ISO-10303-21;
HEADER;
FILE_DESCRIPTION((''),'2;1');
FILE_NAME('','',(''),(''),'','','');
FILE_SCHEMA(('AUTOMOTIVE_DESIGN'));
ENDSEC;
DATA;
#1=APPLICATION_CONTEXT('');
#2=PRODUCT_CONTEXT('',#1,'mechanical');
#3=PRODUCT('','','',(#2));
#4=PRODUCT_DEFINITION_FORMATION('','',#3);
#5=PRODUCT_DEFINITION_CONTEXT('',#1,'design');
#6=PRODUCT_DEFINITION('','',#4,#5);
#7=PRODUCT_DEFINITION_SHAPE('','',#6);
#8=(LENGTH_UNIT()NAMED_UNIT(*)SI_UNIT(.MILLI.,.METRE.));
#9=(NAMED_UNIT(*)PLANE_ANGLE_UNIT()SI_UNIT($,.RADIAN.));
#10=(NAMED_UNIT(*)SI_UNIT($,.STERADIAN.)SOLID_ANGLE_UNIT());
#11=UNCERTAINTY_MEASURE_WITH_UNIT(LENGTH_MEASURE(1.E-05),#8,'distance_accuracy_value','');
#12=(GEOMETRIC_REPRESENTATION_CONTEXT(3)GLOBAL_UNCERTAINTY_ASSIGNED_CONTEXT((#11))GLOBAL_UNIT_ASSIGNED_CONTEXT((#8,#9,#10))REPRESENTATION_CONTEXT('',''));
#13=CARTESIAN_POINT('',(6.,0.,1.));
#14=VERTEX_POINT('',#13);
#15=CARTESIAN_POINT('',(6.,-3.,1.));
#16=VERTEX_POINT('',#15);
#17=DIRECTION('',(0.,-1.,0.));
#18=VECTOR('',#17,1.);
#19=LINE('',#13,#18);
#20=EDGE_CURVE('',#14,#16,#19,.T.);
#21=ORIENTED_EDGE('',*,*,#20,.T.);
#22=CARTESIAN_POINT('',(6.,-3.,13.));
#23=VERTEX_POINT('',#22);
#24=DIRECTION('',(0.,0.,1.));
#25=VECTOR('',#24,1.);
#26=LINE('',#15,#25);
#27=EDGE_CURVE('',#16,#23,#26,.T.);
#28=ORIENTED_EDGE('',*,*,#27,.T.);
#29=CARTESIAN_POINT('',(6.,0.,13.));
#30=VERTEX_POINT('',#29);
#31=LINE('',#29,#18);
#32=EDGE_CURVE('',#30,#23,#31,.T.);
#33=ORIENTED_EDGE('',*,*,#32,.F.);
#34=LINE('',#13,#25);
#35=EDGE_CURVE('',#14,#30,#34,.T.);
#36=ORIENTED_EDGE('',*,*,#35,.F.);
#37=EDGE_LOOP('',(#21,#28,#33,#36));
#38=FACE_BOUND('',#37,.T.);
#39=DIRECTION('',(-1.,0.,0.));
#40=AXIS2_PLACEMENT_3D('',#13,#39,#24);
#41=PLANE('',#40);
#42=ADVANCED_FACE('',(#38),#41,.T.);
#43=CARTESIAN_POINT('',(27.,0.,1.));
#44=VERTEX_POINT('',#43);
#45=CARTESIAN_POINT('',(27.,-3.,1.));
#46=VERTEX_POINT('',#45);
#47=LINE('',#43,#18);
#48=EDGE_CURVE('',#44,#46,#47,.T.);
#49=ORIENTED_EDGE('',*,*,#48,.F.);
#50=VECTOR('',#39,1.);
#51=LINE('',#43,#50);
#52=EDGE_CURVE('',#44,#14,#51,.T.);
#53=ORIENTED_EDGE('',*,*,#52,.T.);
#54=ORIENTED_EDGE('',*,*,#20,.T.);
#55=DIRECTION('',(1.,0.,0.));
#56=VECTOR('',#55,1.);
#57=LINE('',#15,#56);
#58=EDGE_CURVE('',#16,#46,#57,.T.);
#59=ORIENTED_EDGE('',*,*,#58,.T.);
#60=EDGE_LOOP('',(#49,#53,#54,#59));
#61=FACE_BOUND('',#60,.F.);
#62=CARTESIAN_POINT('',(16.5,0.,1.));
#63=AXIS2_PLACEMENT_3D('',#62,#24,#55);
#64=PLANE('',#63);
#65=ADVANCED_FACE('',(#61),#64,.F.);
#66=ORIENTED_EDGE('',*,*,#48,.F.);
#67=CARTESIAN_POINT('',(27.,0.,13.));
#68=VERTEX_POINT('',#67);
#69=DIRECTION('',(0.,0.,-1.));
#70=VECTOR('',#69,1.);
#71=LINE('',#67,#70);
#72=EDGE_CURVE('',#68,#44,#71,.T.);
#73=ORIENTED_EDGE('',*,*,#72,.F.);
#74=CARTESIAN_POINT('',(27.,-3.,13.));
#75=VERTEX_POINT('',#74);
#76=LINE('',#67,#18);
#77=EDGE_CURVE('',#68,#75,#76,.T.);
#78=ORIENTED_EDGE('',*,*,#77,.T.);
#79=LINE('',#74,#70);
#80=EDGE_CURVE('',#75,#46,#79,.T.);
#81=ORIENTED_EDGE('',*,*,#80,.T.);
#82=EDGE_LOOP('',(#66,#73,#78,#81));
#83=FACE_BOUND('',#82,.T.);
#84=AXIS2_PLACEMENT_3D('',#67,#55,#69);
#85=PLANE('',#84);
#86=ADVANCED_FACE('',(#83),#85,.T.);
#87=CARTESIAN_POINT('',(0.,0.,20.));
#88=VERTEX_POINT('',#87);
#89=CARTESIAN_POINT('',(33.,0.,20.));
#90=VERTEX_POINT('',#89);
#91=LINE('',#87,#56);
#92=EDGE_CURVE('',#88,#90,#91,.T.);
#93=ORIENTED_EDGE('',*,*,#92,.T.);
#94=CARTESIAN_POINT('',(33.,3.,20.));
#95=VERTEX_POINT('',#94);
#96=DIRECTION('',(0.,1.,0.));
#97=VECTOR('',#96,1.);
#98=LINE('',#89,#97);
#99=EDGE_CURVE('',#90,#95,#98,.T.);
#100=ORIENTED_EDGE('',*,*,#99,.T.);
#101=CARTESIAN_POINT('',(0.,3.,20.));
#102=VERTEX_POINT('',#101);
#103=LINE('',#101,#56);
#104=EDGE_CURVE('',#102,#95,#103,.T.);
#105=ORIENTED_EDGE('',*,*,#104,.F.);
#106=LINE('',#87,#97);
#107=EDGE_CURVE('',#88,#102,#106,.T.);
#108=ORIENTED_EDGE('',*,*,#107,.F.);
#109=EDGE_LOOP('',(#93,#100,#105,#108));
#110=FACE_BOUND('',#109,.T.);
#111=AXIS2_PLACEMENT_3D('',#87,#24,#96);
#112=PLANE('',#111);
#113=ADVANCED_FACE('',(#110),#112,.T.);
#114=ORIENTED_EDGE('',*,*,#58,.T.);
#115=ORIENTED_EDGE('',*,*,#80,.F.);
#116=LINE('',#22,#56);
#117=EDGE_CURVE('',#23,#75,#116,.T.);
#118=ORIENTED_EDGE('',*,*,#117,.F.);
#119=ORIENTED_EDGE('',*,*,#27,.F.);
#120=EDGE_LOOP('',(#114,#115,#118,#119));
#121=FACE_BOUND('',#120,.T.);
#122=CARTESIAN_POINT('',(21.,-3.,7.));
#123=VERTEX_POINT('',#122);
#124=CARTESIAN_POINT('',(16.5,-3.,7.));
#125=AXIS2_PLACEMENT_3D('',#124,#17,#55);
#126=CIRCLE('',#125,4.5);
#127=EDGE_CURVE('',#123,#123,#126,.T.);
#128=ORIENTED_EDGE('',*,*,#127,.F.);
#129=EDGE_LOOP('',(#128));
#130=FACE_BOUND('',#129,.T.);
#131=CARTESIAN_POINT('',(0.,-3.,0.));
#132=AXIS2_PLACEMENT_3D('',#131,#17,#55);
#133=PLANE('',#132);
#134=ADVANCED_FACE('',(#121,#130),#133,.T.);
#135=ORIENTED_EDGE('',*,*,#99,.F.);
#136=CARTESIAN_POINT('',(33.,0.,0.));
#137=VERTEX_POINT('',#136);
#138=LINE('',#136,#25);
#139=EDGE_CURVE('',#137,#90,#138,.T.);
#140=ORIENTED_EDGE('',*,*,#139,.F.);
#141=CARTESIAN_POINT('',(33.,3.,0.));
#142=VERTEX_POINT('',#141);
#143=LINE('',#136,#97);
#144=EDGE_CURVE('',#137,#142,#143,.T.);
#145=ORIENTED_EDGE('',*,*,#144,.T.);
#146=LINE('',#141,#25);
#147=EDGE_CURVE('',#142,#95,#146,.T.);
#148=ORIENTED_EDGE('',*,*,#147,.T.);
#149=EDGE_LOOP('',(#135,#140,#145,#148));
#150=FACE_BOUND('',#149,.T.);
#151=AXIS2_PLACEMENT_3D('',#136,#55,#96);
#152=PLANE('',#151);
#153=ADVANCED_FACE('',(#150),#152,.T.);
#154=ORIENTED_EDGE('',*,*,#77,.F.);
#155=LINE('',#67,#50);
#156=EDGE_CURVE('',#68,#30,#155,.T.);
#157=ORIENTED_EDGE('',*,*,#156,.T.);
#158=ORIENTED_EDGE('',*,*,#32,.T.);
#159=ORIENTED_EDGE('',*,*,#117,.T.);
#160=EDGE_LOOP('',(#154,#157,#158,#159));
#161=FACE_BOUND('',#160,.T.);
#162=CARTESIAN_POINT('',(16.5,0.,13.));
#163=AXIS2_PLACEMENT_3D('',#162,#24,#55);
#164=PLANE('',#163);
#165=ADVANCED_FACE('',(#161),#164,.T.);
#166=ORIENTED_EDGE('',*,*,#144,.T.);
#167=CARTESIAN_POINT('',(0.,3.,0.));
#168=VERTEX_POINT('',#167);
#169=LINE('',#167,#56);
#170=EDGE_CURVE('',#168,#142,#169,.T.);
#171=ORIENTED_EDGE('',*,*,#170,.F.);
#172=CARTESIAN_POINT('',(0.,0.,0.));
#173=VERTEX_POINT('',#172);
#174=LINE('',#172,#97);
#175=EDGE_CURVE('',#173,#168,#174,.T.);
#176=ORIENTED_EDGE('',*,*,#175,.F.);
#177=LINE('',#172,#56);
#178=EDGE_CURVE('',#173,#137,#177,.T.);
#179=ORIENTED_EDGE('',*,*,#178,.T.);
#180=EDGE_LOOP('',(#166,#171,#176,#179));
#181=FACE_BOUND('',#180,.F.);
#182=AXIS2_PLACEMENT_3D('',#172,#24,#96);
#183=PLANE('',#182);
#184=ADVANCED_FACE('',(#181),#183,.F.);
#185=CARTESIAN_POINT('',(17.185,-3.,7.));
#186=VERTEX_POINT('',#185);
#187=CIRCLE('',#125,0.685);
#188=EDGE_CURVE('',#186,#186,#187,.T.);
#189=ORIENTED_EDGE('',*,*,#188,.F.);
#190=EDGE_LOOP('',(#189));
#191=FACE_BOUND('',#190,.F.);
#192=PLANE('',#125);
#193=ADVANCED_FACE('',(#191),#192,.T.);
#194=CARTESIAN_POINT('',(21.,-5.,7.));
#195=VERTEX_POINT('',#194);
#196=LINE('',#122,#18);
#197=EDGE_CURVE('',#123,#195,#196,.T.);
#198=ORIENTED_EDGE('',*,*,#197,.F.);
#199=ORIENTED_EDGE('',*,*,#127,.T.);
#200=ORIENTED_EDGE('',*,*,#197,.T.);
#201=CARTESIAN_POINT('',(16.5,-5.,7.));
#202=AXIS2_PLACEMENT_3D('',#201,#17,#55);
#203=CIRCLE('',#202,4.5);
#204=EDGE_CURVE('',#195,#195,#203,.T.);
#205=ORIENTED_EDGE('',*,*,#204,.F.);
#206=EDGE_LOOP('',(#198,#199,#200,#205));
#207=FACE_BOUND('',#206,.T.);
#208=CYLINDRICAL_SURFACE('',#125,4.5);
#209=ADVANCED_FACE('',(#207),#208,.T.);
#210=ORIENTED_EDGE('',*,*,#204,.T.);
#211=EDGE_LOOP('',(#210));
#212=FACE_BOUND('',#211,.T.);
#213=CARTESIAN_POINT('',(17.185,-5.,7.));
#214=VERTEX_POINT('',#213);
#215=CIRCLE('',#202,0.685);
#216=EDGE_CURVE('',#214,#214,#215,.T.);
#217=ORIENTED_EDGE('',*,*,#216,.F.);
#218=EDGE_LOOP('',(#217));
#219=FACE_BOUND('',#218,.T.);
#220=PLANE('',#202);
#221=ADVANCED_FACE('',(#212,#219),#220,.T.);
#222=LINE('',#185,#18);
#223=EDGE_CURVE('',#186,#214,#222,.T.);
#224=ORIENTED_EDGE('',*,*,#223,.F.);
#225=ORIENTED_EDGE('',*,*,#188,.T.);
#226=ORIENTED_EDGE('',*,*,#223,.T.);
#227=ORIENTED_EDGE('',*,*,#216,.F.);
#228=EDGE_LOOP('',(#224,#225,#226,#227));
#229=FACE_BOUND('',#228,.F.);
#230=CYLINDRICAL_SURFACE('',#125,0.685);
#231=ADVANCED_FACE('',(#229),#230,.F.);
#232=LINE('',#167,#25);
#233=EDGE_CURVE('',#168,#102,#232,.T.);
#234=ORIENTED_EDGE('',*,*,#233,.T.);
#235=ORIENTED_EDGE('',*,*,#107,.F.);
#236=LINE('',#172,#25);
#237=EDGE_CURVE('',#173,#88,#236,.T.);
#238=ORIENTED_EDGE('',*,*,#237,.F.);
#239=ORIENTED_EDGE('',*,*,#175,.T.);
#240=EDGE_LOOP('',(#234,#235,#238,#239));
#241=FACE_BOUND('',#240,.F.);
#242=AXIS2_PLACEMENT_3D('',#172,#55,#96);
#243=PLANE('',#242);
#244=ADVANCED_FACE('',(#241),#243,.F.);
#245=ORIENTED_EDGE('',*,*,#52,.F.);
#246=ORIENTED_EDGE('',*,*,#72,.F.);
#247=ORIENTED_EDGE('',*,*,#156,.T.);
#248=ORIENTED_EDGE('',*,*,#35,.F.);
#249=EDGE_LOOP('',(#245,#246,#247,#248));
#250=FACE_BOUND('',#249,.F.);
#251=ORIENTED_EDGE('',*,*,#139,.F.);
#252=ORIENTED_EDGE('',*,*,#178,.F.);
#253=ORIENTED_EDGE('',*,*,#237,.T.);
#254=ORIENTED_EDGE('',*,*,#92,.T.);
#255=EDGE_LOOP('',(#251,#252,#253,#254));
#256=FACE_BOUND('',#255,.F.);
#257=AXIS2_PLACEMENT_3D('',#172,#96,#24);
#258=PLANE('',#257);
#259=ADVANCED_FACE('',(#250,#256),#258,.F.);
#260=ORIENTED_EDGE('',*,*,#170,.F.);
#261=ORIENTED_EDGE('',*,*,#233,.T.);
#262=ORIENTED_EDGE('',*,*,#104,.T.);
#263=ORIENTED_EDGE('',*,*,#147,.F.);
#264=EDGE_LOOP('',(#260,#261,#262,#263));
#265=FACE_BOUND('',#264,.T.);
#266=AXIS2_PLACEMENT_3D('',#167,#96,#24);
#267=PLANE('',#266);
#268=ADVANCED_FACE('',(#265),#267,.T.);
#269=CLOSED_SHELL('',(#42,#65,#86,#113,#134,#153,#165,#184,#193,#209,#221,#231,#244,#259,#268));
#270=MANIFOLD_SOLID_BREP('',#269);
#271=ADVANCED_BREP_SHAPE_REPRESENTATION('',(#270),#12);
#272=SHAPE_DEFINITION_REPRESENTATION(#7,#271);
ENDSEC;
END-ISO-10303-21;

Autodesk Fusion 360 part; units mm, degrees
box "BoxPrimitive1" add length 20 width 33 height 3 placed x (0, 0, 1) y (1, 0, 0) z (0, 1, 0) at (0, 0, 0)
sketch "Sketch2" plane through (0, 0, 0) normal (0, -1, 0) x (1, 0, 0)
  line L0 (33, 20) -> (0, 20)
  line L1 (0, 20) -> (0, 0)
  line L2 (0, 0) -> (33, 0)
  line L3 (33, 0) -> (33, 20)
  line L4 (16.5, 20) -> (16.5, 0)
  line L5 (16.5, 0) -> (16.5, 1)
  line L6 (16.5, 1) -> (27, 1)
  line L7 (27, 1) -> (6, 1)
  line L8 (6, 1) -> (6, 13)
  line L9 (6, 13) -> (27, 13)
  line L10 (27, 13) -> (27, 1)
  dimension "d6" = 1
  dimension "d7" = 10.5
  dimension "d8" = 21
  dimension "d9" = 12
extrude "Extrude1" add sketch "Sketch2" along normal blind 3 contours L4 L6 L7 L9 L10 | L4 L7 L8 L9
sketch "Sketch3" plane through (0, -3, 0) normal (0, -1, 0) x (1, 0, 0)
  line L0 (27, 13) -> (6, 13)
  line L1 (6, 13) -> (6, 1)
  line L2 (6, 1) -> (27, 1)
  line L3 (27, 1) -> (27, 13)
  line L4 (16.5, 13) -> (16.5, 1)
  line L5 (6, 7) -> (27, 7)
cylinder "CylinderPrimitive1" add diameter 9 height 2 placed x (1, 0, 0) y (0, 0, 1) z (0, -1, 0) at (16.5, -3, 7)
cylinder "CylinderPrimitive2" cut diameter 1.37 height -2 placed x (1, 0, 0) y (0, 0, 1) z (0, -1, 0) at (16.5, -5, 7)
